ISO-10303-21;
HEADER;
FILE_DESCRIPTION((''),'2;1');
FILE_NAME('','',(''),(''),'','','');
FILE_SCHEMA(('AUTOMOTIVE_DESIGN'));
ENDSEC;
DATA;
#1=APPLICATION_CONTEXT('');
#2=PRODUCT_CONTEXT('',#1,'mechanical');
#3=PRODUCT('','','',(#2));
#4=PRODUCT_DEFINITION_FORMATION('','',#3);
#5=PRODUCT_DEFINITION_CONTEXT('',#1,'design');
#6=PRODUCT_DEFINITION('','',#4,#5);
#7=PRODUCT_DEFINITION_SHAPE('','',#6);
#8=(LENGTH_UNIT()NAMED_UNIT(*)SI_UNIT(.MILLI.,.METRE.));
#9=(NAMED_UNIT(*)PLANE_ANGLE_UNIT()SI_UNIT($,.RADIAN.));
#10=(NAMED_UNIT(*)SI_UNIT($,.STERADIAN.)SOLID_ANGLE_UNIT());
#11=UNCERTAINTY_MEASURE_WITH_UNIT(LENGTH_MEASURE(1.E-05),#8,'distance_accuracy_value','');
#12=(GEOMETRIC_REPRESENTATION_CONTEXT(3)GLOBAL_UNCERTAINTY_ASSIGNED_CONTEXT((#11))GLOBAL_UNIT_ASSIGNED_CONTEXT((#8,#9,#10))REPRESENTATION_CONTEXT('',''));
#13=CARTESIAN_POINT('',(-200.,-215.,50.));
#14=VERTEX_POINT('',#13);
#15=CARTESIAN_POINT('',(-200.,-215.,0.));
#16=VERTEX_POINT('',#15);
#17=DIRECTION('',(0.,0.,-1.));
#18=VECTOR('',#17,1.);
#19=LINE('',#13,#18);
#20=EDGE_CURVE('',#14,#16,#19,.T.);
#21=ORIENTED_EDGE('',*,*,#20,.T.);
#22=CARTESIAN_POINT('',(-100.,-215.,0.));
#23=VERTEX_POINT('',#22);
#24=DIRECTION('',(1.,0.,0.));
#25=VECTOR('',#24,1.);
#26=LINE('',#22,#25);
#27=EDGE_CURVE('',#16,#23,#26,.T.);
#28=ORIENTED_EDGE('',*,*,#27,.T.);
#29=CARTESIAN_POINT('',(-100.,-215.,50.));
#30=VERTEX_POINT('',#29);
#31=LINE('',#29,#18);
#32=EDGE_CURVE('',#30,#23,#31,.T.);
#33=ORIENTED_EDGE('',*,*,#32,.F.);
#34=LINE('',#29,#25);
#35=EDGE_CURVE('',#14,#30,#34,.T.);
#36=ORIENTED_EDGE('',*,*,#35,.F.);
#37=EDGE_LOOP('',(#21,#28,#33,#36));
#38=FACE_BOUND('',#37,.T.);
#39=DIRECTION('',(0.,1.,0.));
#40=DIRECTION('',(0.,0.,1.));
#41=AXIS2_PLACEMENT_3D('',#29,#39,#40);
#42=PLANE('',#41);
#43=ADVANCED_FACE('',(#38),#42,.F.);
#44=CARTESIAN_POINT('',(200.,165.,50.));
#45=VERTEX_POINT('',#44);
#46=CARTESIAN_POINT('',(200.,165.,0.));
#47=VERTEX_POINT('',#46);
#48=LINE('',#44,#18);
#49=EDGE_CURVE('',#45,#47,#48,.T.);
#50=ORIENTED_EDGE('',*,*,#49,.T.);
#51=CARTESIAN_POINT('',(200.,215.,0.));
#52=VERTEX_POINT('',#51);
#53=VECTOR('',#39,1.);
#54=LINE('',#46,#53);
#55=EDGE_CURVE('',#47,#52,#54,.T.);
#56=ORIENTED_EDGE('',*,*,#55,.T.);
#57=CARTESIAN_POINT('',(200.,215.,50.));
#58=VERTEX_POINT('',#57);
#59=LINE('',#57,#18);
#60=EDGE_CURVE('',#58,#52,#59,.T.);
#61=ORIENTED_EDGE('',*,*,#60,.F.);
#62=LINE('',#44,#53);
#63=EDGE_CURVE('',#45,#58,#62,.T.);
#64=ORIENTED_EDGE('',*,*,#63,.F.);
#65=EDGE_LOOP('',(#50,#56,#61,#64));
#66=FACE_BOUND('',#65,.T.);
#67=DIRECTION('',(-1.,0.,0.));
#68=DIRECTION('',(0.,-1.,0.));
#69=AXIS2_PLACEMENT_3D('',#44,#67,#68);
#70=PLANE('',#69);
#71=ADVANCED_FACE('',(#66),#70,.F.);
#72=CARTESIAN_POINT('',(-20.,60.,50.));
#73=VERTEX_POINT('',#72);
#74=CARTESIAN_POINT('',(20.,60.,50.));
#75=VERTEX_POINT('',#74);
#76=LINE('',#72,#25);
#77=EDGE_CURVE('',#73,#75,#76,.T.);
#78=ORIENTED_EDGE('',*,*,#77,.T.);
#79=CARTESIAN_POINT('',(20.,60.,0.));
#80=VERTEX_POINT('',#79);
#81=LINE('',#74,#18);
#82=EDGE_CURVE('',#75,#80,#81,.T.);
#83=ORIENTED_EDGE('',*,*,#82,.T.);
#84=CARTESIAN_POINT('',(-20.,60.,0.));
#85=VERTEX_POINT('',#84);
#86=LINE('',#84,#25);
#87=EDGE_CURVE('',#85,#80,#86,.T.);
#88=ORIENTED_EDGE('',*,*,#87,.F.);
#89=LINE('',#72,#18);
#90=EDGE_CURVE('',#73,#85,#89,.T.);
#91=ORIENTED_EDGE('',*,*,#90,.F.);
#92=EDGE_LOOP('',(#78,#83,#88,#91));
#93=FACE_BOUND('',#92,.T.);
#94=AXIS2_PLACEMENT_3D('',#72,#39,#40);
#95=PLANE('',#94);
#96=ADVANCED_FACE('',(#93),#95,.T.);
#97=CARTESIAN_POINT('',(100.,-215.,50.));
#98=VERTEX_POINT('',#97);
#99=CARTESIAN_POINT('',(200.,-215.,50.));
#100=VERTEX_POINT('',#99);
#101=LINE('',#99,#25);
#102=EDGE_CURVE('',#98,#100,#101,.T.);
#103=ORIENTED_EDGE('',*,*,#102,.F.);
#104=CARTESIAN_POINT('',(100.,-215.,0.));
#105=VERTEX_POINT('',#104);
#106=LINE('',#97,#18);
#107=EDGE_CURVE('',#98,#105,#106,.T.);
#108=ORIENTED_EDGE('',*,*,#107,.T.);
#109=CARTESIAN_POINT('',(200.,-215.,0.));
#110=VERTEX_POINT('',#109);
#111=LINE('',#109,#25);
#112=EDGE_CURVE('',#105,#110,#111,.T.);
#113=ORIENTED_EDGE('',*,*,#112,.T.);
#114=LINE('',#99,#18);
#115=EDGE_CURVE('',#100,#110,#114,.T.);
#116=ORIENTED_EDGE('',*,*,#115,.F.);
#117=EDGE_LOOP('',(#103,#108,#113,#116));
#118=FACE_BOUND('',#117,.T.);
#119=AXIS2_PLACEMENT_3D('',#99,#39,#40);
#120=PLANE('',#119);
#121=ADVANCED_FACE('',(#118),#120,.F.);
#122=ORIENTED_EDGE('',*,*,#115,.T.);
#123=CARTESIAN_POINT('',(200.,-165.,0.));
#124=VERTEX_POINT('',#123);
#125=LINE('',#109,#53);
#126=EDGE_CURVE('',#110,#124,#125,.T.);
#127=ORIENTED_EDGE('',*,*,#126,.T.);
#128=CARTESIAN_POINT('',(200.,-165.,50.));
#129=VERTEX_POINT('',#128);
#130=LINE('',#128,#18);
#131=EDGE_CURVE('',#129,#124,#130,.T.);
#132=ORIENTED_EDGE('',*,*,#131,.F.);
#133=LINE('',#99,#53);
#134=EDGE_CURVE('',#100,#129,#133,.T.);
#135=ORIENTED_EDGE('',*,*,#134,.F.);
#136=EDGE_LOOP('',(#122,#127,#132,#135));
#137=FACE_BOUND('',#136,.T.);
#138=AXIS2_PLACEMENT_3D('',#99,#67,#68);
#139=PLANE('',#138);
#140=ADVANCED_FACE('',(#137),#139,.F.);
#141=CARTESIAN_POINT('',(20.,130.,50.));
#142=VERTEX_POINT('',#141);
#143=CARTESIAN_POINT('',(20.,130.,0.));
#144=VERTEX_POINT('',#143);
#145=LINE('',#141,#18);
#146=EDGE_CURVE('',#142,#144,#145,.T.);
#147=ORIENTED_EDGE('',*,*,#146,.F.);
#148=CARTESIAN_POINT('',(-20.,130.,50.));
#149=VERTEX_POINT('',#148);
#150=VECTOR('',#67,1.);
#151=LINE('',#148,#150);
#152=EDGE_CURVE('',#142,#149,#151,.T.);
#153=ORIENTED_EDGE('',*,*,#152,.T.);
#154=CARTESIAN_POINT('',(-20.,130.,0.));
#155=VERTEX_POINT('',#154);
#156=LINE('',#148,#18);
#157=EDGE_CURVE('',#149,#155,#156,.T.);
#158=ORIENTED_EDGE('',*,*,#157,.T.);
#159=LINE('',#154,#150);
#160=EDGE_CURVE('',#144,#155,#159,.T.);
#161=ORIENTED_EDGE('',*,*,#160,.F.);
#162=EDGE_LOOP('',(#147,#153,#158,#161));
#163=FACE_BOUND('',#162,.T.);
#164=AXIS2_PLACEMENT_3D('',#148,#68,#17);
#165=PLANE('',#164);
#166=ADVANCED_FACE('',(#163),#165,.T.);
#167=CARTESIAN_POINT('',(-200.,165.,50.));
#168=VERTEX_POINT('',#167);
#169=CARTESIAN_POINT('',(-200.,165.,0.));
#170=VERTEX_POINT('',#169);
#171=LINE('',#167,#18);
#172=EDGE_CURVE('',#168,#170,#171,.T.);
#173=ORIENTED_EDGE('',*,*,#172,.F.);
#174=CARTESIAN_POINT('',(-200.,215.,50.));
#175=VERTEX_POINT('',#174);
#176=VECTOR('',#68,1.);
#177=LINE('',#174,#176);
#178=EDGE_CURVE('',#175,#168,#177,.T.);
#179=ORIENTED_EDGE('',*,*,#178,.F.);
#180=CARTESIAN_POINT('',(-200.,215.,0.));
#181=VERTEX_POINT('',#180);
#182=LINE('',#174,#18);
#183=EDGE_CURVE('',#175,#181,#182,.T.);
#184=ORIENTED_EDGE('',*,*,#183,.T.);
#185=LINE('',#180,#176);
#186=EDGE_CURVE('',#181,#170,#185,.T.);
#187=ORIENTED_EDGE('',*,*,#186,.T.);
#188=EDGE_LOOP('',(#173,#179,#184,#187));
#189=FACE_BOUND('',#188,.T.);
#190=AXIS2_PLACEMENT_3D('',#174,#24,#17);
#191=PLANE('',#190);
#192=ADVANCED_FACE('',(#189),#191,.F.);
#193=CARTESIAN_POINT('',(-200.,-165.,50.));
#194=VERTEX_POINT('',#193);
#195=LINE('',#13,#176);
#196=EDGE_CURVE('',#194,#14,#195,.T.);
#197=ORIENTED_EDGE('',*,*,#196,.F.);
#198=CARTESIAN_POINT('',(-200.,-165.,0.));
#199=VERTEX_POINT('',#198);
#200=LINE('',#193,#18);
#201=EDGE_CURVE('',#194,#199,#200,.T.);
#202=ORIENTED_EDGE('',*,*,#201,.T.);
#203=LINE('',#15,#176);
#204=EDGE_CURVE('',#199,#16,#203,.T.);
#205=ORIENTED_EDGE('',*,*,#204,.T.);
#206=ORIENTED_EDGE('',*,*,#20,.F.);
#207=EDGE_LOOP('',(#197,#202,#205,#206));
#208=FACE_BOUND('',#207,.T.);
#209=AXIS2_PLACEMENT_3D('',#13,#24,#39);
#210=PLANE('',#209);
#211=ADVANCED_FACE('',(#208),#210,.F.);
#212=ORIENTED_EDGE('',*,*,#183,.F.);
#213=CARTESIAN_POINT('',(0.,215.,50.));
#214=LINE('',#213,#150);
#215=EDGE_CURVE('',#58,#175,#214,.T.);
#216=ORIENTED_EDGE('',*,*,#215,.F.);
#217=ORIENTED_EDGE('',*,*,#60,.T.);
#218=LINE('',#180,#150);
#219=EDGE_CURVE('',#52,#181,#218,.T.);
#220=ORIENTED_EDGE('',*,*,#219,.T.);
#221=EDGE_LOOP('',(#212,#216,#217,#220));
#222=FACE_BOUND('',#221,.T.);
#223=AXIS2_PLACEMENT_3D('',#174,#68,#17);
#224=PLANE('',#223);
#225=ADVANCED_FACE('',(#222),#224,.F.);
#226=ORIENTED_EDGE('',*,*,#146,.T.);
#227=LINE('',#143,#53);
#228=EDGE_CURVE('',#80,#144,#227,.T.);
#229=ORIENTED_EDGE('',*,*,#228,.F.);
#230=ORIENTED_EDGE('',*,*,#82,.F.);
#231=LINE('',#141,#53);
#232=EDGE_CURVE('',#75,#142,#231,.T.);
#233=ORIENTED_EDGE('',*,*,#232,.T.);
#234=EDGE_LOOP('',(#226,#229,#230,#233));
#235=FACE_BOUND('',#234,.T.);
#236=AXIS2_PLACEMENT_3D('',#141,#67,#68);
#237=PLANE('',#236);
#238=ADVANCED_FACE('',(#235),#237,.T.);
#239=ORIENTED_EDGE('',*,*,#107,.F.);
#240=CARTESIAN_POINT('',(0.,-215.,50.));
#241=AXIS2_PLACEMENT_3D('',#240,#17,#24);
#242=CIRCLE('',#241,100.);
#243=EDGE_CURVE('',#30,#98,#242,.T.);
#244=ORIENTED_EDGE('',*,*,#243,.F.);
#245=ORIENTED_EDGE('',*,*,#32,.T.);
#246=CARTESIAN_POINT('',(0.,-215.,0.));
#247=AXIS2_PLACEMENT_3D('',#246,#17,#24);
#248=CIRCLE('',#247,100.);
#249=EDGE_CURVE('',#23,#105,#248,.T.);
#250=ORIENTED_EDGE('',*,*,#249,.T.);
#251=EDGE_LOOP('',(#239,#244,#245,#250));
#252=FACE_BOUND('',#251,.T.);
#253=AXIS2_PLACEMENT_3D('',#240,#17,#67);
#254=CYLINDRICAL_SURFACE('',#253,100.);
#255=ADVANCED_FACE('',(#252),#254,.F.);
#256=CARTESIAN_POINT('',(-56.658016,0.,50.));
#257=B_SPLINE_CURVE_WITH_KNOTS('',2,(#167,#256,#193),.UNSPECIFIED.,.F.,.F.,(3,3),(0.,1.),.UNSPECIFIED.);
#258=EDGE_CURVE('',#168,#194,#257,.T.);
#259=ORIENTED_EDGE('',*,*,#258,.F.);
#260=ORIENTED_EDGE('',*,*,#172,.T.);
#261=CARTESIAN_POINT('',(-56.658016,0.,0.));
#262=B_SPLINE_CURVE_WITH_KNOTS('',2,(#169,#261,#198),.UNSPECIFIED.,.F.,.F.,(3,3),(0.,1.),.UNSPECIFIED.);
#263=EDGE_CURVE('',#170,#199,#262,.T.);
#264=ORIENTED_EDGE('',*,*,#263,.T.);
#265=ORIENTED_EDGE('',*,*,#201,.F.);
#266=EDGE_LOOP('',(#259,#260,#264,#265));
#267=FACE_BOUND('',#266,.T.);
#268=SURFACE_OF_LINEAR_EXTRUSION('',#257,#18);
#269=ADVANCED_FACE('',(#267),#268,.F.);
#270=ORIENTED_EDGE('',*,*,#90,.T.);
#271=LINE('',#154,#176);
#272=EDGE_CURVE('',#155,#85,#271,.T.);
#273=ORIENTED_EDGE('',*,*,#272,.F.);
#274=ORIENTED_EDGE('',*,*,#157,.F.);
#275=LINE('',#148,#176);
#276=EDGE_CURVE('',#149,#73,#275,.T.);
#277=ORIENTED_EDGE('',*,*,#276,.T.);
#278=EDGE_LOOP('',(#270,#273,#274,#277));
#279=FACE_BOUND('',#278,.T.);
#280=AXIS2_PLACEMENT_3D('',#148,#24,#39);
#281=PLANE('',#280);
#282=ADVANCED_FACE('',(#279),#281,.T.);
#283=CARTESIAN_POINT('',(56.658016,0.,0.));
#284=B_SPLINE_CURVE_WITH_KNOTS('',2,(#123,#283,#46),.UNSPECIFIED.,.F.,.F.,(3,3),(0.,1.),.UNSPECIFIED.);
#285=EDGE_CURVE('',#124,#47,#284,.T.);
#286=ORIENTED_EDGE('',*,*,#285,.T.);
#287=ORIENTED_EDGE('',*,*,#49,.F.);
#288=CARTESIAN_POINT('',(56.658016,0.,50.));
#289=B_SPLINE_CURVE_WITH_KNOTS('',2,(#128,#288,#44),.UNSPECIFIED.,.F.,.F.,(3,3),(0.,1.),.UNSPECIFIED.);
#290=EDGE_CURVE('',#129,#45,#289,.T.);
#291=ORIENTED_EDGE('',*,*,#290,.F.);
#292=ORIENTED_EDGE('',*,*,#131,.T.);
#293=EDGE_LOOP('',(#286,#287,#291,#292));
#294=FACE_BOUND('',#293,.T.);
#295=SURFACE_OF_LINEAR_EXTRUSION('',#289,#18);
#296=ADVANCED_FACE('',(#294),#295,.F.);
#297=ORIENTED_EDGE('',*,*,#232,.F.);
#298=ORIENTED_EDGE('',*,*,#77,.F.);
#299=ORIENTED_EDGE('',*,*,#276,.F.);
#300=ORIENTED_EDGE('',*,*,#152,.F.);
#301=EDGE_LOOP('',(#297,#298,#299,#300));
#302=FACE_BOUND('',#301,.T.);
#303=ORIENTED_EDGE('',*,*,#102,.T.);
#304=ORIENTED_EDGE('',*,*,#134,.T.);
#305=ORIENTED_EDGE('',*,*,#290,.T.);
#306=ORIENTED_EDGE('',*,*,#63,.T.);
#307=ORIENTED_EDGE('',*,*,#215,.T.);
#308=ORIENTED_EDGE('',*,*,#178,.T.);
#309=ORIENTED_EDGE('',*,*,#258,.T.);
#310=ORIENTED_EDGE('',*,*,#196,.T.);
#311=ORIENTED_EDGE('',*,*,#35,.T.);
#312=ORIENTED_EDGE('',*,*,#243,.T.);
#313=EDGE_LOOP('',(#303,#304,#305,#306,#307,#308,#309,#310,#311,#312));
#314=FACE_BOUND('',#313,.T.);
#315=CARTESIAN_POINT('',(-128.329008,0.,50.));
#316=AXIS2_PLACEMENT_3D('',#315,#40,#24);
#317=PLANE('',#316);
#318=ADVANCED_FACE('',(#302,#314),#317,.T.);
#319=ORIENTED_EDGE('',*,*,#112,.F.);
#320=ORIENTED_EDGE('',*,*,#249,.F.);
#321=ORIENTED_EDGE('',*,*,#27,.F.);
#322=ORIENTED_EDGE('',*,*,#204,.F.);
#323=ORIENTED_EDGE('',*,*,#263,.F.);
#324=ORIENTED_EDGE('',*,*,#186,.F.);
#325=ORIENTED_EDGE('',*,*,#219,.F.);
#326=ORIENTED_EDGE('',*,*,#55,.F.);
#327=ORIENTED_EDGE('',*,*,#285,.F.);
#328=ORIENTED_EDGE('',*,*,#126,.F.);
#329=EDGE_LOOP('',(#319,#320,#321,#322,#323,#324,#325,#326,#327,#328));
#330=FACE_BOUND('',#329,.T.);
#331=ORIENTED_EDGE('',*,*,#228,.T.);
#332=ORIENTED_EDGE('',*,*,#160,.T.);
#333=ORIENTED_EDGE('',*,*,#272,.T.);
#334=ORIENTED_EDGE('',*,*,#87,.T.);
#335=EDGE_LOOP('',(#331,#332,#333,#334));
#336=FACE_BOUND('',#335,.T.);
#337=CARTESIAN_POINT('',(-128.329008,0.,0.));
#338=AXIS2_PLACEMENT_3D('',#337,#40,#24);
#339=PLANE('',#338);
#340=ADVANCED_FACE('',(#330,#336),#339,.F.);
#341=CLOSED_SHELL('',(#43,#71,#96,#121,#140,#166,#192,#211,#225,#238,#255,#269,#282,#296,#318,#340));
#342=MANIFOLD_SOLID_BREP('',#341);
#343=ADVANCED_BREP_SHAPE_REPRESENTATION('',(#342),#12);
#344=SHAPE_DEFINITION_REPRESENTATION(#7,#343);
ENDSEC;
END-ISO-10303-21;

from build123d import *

# Parameters (mm, degrees)
SKETCH_1_W      = 40
SKETCH_1_H      = 70
EXTRUDE_3_DEPTH = 50


with BuildPart() as part:
    # Эскиз1 → Бобышка-Вытянуть3 (new body)
    with BuildSketch(Plane.XY):
        with BuildLine():
            Line((-100, -215), (-200, -215))
            Line((-200, -215), (-200, -165))
            add(Edge.make_bspline(
                [(-200, 165), (-56.658015908, 0), (-200, -165)],
                knots=[0, 0, 0, 1, 1, 1], degree=2))
            Line((-200, 165), (-200, 215))
            Line((-200, 215), (0, 215))
            Line((0, 215), (200, 215))
            Line((200, 215), (200, 165))
            add(Edge.make_bspline(
                [(200, 165), (56.658015908, 0), (200, -165)],
                knots=[0, 0, 0, 1, 1, 1], degree=2))
            Line((200, -165), (200, -215))
            Line((200, -215), (100, -215))
            ThreePointArc((100, -215), (0, -115), (-100, -215))
        make_face()
        with Locations((0, 95)):
            Rectangle(SKETCH_1_W, SKETCH_1_H, mode=Mode.SUBTRACT)
    extrude(amount=EXTRUDE_3_DEPTH)


solid = part.part
